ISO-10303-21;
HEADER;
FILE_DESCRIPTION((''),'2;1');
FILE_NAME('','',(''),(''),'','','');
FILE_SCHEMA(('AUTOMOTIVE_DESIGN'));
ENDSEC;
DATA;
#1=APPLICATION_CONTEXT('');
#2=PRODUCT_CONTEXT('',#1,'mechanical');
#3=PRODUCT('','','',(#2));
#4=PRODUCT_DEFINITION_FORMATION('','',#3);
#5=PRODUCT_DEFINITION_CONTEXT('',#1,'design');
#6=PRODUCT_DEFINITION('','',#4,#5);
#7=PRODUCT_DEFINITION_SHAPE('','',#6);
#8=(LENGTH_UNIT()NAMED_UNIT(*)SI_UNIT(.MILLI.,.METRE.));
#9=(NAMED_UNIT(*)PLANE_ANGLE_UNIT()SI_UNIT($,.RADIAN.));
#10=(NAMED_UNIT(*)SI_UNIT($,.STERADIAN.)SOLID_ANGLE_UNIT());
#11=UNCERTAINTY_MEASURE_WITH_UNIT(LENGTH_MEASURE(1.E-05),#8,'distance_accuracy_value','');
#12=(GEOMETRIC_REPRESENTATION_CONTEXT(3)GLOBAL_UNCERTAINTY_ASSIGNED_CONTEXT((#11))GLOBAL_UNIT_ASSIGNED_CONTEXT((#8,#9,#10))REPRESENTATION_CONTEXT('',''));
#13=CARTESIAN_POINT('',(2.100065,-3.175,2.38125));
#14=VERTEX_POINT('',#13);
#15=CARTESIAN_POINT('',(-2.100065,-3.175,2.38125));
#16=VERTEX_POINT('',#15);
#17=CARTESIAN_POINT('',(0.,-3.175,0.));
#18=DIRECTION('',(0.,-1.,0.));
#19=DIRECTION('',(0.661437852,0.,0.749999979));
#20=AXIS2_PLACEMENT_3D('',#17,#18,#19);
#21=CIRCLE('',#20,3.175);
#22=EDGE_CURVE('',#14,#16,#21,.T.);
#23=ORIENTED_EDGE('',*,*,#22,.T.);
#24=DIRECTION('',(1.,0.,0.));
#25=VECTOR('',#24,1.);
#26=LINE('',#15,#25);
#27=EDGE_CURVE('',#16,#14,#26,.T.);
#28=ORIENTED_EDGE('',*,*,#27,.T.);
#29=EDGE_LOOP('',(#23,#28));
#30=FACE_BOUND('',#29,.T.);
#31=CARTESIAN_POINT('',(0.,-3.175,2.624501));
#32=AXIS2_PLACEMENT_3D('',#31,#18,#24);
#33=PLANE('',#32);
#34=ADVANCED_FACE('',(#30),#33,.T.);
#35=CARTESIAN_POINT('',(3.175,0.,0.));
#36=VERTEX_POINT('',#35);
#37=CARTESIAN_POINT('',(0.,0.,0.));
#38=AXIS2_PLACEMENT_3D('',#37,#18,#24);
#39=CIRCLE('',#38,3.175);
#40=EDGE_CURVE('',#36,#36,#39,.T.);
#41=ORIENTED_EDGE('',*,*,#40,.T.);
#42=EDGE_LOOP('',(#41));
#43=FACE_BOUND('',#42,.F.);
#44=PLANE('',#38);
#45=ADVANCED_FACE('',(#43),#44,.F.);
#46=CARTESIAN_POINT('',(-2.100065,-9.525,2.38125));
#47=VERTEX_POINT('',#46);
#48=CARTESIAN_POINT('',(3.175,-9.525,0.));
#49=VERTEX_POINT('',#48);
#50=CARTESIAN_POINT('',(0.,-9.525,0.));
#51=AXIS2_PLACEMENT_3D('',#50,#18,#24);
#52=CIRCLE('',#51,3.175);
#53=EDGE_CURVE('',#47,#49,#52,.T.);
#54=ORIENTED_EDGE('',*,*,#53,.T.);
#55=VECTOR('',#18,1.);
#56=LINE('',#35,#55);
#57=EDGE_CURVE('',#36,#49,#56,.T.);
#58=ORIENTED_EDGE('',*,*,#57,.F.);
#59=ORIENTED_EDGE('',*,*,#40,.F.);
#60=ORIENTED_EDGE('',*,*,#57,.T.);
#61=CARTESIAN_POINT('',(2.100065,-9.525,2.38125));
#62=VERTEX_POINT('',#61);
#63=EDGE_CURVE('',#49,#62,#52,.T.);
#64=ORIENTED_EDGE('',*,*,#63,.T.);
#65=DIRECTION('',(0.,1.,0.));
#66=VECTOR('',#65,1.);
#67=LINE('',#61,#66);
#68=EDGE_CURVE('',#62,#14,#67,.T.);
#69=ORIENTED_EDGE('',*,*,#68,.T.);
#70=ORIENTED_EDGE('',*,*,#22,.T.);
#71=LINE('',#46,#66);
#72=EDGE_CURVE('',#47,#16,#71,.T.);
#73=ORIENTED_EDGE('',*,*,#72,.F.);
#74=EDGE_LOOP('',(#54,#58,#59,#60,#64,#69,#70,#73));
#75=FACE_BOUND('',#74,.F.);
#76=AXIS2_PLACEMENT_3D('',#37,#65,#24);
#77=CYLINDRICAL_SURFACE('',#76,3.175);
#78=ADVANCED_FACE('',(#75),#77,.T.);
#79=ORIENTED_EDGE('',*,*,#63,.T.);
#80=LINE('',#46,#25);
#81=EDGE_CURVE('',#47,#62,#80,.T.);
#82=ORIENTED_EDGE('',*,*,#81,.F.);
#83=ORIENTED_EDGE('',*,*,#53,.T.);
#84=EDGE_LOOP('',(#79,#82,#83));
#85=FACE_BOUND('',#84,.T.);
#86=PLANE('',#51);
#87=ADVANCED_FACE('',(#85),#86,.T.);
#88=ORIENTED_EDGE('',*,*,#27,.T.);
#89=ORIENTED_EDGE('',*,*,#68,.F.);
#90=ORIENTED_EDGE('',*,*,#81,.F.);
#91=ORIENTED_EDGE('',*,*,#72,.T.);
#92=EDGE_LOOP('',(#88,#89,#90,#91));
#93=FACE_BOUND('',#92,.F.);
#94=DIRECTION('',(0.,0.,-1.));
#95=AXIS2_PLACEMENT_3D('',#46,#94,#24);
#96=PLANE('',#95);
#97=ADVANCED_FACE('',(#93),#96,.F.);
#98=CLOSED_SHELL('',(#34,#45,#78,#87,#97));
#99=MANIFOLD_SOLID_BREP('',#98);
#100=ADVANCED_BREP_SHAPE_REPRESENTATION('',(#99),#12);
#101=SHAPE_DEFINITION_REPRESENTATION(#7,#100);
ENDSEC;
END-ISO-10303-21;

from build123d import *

# Parameters (mm, degrees)
F0_R     = 3.175
F1_DEPTH = 9.525
F3_DEPTH = 6.35


with BuildPart() as f1:
    # F0 (on Front) → F1 (new body)
    with BuildSketch(Plane.XZ):
        Circle(F0_R)
    extrude(amount=F1_DEPTH)

    # F2 (on face) → F3 (cut)
    with BuildSketch(Plane.XZ.offset(9.525)):
        with BuildLine():
            ThreePointArc((2.100065, 2.38125), (0, 3.175), (-2.100065, 2.38125))
            Line((-2.100065, 2.38125), (2.100065, 2.38125))
        make_face()
    extrude(amount=-F3_DEPTH, mode=Mode.SUBTRACT)


solid = f1.part
